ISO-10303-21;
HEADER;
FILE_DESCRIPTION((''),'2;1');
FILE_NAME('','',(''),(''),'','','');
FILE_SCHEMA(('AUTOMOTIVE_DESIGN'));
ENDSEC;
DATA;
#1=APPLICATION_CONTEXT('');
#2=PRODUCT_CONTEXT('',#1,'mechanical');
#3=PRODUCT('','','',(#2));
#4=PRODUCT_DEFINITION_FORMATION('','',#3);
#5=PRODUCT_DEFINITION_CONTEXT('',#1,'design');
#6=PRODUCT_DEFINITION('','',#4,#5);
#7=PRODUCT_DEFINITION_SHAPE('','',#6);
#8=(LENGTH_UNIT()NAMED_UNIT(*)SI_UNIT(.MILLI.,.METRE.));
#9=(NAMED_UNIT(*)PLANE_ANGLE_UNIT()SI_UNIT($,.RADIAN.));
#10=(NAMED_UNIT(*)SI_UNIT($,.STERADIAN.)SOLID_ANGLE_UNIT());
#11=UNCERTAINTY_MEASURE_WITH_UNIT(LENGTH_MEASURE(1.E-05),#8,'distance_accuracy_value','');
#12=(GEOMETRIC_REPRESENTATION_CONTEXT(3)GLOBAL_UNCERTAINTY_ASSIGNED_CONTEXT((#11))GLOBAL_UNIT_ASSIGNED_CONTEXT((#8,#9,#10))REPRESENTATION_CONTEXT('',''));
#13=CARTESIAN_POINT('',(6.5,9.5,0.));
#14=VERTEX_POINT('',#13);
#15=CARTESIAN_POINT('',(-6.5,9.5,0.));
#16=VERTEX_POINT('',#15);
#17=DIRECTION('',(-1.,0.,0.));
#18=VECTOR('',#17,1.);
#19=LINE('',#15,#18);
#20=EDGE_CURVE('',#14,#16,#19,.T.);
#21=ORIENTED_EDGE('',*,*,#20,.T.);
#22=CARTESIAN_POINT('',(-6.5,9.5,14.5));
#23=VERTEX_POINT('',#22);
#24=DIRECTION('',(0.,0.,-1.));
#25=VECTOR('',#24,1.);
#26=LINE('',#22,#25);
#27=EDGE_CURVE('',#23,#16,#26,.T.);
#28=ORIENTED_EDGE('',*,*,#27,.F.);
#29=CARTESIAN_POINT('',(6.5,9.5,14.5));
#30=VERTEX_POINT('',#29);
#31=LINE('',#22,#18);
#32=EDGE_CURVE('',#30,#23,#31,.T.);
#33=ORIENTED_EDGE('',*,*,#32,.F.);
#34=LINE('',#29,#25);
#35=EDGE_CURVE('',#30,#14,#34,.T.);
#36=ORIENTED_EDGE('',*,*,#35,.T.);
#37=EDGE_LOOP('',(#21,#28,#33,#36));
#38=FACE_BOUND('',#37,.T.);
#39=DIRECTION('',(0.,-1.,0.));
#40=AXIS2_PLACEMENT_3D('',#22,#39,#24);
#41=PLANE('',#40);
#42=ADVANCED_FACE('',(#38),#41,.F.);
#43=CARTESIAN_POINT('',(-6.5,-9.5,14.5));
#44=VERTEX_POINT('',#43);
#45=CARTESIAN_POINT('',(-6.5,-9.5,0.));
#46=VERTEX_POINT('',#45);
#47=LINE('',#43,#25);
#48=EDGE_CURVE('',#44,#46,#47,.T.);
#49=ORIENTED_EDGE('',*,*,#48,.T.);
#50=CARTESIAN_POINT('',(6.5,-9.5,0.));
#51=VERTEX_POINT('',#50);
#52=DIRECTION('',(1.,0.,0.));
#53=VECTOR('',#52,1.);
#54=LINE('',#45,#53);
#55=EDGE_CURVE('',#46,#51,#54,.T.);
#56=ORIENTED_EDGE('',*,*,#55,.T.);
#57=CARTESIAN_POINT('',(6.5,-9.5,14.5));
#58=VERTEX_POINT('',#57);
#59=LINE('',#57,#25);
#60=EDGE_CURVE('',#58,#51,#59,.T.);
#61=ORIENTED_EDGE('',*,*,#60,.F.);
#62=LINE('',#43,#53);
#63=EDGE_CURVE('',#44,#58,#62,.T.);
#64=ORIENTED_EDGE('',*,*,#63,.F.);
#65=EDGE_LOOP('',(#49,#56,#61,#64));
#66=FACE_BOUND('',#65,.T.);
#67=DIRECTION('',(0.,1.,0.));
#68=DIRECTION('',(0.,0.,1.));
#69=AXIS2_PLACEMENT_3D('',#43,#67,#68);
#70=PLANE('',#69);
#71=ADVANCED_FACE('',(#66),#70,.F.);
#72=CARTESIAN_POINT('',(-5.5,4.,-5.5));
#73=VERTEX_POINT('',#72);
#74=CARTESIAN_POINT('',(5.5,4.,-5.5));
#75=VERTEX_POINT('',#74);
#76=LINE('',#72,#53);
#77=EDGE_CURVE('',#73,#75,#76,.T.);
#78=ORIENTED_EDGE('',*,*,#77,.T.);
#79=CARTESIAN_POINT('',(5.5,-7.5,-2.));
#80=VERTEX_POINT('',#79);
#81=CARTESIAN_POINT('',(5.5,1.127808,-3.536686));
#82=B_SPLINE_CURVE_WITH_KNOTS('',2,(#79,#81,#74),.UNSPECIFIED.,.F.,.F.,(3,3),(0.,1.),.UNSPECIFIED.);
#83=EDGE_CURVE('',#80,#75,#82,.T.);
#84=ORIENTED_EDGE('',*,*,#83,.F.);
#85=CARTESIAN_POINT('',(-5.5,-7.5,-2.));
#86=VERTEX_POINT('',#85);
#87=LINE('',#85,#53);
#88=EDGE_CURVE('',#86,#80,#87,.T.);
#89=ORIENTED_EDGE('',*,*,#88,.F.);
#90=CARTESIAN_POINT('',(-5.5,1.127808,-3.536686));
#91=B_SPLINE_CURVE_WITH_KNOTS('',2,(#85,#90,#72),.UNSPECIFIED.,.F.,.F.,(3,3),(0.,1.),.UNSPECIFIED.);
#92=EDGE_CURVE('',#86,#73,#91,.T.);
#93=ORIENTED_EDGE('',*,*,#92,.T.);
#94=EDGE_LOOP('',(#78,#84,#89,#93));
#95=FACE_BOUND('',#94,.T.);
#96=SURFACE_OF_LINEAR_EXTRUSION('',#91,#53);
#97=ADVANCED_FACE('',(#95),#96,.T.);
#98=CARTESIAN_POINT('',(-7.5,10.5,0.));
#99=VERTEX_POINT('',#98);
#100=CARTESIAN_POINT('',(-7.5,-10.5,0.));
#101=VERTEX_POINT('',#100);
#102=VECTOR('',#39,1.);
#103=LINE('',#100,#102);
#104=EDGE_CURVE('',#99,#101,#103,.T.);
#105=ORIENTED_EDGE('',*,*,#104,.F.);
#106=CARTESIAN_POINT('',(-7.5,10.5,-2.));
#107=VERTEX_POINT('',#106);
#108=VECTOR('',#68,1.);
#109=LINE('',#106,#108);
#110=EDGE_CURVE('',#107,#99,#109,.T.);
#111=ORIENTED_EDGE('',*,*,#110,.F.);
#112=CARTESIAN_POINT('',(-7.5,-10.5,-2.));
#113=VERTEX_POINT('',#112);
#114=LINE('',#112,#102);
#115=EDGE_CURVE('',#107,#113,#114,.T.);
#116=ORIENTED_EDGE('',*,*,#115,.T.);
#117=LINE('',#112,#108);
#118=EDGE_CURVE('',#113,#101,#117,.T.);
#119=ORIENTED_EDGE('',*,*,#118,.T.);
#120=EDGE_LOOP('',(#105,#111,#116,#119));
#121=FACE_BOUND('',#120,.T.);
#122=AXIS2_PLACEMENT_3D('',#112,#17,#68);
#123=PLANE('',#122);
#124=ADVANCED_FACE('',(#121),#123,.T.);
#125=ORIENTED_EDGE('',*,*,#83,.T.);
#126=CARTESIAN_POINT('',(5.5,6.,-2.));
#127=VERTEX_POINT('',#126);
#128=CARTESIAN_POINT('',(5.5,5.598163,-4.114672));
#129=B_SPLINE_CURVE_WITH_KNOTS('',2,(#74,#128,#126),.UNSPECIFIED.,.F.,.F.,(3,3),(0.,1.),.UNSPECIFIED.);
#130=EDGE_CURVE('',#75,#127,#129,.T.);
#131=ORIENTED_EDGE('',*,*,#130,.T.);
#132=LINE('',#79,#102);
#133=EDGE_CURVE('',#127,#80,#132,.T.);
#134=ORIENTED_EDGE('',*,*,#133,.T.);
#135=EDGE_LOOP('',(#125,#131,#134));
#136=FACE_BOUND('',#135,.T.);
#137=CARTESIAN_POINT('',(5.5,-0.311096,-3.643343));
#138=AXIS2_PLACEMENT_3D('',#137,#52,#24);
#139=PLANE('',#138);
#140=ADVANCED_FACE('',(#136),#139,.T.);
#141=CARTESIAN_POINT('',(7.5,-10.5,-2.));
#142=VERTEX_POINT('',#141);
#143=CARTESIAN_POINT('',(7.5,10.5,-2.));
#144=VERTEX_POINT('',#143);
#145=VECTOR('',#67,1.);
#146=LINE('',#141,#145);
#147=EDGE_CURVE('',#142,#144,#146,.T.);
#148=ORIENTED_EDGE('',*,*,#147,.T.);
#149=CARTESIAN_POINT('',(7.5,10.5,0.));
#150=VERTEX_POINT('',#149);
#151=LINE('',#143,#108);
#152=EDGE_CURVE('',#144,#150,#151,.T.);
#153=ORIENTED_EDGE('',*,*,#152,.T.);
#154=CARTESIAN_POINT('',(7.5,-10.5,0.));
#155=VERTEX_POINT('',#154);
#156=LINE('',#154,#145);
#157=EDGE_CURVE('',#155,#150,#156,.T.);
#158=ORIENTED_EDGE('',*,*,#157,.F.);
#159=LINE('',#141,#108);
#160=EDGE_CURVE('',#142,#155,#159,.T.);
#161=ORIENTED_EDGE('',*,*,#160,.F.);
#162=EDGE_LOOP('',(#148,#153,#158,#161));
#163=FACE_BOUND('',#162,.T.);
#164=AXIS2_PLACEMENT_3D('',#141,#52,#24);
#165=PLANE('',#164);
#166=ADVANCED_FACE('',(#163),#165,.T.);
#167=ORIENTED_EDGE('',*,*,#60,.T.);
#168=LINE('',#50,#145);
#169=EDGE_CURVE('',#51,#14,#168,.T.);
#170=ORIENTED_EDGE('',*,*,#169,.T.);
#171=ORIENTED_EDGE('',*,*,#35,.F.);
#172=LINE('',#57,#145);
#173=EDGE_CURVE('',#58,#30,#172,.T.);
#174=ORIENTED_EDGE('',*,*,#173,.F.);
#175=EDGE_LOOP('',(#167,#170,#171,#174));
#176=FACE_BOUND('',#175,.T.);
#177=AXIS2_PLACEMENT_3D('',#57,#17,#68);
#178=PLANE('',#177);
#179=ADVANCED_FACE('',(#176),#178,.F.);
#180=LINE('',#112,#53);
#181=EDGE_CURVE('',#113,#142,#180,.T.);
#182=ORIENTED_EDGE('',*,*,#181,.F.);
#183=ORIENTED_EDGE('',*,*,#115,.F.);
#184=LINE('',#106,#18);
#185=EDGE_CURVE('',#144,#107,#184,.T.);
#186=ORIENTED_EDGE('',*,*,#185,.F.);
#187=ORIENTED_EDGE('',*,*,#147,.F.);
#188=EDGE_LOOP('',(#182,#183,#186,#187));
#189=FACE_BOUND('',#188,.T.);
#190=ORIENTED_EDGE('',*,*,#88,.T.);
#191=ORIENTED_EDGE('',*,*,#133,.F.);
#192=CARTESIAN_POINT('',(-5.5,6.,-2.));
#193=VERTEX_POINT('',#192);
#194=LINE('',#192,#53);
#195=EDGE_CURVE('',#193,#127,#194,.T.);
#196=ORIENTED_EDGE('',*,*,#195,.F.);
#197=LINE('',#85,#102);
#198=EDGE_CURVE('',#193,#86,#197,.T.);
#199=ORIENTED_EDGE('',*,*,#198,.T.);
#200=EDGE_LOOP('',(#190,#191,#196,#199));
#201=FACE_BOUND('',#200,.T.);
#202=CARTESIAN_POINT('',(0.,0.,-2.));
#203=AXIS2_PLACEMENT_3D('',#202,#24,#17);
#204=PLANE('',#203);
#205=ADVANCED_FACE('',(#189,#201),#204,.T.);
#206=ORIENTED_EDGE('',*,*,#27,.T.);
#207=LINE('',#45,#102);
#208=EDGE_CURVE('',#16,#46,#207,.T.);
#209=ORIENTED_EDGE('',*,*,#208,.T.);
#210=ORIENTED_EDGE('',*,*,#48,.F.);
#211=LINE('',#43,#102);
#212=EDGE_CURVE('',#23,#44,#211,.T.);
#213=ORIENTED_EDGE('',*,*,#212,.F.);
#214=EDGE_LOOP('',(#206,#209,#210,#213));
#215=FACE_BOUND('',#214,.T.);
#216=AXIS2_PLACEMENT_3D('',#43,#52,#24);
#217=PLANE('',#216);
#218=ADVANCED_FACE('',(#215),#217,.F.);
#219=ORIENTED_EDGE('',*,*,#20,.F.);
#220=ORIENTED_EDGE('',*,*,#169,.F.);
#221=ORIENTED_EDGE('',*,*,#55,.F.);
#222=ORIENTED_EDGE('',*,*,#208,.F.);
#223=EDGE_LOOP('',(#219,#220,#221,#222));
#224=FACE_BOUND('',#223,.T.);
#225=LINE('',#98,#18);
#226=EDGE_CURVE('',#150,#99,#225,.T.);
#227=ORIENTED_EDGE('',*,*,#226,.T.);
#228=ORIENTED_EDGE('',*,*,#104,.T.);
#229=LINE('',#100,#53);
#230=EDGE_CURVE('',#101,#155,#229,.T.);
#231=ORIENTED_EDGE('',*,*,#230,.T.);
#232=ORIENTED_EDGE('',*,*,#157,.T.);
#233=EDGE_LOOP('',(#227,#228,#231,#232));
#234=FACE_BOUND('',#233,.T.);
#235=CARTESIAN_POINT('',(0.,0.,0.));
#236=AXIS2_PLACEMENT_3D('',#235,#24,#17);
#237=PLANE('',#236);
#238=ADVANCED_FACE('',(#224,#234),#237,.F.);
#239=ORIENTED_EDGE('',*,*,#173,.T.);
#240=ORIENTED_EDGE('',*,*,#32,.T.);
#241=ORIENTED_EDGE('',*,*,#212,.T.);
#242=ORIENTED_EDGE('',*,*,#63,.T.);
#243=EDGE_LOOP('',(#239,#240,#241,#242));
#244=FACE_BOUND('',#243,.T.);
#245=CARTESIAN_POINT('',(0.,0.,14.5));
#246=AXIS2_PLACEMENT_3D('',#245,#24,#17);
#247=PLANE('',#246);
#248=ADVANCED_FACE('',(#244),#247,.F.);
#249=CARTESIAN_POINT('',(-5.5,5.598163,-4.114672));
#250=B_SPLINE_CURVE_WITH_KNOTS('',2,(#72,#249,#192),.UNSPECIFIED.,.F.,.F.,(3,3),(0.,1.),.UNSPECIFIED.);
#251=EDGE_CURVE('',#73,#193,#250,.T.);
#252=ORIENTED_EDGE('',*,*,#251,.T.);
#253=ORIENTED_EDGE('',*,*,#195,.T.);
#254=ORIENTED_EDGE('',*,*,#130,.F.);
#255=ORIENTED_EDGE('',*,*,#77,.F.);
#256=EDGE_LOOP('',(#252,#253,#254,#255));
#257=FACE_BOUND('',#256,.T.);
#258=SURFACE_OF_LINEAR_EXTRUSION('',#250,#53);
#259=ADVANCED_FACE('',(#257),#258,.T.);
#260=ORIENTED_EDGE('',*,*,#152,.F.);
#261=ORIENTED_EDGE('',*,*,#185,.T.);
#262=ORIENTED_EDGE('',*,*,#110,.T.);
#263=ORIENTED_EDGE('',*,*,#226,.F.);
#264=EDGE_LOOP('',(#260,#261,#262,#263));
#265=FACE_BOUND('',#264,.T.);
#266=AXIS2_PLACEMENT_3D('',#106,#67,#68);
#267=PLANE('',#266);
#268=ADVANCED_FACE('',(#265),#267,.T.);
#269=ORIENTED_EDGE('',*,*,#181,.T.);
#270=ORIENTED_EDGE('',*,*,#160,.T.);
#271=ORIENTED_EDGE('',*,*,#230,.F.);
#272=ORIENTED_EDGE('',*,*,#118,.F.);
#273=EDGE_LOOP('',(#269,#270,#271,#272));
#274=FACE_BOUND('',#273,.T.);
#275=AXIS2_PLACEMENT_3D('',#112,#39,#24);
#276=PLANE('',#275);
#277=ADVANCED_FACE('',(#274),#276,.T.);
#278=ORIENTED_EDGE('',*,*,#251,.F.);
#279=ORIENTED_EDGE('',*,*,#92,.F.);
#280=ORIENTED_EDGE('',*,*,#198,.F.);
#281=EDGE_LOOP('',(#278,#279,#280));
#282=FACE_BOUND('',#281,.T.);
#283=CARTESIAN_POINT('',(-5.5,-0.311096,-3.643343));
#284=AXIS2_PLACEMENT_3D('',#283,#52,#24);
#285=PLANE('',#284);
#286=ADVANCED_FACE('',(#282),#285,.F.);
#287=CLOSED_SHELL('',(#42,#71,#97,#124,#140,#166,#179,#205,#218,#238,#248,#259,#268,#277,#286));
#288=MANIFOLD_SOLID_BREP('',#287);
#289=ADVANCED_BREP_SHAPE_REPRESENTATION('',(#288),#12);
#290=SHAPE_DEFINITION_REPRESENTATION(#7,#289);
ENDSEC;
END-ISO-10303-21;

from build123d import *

# Parameters (mm, degrees)
SKETCH1_W                = 13
SKETCH1_H                = 19
BOSS_EXTRUDE1_DEPTH      = 14.5
SKETCH2_W                = 15
SKETCH2_H                = 21
BOSS_EXTRUDE2_DEPTH      = 2
BOSS_EXTRUDE3_DEPTH      = 5.5
BOSS_EXTRUDE3_DEPTH_BACK = 5.5


with BuildPart() as part:
    # Sketch1 → Boss-Extrude1 (new body)
    with BuildSketch(Plane.XY):
        Rectangle(SKETCH1_W, SKETCH1_H)
    extrude(amount=BOSS_EXTRUDE1_DEPTH)

    # Sketch2 → Boss-Extrude2 (add)
    with BuildSketch(Plane.XY):
        Rectangle(SKETCH2_W, SKETCH2_H)
    extrude(amount=-BOSS_EXTRUDE2_DEPTH)

    # Sketch3 → Boss-Extrude3 (add, two sides: drawn at the far end of the back side and taken through both)
    with BuildSketch(Plane(origin=(0, 0, 0), x_dir=(0, 0, -1), z_dir=(1, 0, 0)).offset(-BOSS_EXTRUDE3_DEPTH_BACK)):
        with BuildLine():
            Line((2, -7.5), (2, 6))
            add(Edge.make_bspline(
                [(5.5, 4), (4.114672483, 5.598162681), (2, 6)],
                knots=[0, 0, 0, 1, 1, 1], degree=2))
            add(Edge.make_bspline(
                [(2, -7.5), (3.536685503, 1.127808031), (5.5, 4)],
                knots=[0, 0, 0, 1, 1, 1], degree=2))
        make_face()
    extrude(amount=BOSS_EXTRUDE3_DEPTH + BOSS_EXTRUDE3_DEPTH_BACK)


solid = part.part
